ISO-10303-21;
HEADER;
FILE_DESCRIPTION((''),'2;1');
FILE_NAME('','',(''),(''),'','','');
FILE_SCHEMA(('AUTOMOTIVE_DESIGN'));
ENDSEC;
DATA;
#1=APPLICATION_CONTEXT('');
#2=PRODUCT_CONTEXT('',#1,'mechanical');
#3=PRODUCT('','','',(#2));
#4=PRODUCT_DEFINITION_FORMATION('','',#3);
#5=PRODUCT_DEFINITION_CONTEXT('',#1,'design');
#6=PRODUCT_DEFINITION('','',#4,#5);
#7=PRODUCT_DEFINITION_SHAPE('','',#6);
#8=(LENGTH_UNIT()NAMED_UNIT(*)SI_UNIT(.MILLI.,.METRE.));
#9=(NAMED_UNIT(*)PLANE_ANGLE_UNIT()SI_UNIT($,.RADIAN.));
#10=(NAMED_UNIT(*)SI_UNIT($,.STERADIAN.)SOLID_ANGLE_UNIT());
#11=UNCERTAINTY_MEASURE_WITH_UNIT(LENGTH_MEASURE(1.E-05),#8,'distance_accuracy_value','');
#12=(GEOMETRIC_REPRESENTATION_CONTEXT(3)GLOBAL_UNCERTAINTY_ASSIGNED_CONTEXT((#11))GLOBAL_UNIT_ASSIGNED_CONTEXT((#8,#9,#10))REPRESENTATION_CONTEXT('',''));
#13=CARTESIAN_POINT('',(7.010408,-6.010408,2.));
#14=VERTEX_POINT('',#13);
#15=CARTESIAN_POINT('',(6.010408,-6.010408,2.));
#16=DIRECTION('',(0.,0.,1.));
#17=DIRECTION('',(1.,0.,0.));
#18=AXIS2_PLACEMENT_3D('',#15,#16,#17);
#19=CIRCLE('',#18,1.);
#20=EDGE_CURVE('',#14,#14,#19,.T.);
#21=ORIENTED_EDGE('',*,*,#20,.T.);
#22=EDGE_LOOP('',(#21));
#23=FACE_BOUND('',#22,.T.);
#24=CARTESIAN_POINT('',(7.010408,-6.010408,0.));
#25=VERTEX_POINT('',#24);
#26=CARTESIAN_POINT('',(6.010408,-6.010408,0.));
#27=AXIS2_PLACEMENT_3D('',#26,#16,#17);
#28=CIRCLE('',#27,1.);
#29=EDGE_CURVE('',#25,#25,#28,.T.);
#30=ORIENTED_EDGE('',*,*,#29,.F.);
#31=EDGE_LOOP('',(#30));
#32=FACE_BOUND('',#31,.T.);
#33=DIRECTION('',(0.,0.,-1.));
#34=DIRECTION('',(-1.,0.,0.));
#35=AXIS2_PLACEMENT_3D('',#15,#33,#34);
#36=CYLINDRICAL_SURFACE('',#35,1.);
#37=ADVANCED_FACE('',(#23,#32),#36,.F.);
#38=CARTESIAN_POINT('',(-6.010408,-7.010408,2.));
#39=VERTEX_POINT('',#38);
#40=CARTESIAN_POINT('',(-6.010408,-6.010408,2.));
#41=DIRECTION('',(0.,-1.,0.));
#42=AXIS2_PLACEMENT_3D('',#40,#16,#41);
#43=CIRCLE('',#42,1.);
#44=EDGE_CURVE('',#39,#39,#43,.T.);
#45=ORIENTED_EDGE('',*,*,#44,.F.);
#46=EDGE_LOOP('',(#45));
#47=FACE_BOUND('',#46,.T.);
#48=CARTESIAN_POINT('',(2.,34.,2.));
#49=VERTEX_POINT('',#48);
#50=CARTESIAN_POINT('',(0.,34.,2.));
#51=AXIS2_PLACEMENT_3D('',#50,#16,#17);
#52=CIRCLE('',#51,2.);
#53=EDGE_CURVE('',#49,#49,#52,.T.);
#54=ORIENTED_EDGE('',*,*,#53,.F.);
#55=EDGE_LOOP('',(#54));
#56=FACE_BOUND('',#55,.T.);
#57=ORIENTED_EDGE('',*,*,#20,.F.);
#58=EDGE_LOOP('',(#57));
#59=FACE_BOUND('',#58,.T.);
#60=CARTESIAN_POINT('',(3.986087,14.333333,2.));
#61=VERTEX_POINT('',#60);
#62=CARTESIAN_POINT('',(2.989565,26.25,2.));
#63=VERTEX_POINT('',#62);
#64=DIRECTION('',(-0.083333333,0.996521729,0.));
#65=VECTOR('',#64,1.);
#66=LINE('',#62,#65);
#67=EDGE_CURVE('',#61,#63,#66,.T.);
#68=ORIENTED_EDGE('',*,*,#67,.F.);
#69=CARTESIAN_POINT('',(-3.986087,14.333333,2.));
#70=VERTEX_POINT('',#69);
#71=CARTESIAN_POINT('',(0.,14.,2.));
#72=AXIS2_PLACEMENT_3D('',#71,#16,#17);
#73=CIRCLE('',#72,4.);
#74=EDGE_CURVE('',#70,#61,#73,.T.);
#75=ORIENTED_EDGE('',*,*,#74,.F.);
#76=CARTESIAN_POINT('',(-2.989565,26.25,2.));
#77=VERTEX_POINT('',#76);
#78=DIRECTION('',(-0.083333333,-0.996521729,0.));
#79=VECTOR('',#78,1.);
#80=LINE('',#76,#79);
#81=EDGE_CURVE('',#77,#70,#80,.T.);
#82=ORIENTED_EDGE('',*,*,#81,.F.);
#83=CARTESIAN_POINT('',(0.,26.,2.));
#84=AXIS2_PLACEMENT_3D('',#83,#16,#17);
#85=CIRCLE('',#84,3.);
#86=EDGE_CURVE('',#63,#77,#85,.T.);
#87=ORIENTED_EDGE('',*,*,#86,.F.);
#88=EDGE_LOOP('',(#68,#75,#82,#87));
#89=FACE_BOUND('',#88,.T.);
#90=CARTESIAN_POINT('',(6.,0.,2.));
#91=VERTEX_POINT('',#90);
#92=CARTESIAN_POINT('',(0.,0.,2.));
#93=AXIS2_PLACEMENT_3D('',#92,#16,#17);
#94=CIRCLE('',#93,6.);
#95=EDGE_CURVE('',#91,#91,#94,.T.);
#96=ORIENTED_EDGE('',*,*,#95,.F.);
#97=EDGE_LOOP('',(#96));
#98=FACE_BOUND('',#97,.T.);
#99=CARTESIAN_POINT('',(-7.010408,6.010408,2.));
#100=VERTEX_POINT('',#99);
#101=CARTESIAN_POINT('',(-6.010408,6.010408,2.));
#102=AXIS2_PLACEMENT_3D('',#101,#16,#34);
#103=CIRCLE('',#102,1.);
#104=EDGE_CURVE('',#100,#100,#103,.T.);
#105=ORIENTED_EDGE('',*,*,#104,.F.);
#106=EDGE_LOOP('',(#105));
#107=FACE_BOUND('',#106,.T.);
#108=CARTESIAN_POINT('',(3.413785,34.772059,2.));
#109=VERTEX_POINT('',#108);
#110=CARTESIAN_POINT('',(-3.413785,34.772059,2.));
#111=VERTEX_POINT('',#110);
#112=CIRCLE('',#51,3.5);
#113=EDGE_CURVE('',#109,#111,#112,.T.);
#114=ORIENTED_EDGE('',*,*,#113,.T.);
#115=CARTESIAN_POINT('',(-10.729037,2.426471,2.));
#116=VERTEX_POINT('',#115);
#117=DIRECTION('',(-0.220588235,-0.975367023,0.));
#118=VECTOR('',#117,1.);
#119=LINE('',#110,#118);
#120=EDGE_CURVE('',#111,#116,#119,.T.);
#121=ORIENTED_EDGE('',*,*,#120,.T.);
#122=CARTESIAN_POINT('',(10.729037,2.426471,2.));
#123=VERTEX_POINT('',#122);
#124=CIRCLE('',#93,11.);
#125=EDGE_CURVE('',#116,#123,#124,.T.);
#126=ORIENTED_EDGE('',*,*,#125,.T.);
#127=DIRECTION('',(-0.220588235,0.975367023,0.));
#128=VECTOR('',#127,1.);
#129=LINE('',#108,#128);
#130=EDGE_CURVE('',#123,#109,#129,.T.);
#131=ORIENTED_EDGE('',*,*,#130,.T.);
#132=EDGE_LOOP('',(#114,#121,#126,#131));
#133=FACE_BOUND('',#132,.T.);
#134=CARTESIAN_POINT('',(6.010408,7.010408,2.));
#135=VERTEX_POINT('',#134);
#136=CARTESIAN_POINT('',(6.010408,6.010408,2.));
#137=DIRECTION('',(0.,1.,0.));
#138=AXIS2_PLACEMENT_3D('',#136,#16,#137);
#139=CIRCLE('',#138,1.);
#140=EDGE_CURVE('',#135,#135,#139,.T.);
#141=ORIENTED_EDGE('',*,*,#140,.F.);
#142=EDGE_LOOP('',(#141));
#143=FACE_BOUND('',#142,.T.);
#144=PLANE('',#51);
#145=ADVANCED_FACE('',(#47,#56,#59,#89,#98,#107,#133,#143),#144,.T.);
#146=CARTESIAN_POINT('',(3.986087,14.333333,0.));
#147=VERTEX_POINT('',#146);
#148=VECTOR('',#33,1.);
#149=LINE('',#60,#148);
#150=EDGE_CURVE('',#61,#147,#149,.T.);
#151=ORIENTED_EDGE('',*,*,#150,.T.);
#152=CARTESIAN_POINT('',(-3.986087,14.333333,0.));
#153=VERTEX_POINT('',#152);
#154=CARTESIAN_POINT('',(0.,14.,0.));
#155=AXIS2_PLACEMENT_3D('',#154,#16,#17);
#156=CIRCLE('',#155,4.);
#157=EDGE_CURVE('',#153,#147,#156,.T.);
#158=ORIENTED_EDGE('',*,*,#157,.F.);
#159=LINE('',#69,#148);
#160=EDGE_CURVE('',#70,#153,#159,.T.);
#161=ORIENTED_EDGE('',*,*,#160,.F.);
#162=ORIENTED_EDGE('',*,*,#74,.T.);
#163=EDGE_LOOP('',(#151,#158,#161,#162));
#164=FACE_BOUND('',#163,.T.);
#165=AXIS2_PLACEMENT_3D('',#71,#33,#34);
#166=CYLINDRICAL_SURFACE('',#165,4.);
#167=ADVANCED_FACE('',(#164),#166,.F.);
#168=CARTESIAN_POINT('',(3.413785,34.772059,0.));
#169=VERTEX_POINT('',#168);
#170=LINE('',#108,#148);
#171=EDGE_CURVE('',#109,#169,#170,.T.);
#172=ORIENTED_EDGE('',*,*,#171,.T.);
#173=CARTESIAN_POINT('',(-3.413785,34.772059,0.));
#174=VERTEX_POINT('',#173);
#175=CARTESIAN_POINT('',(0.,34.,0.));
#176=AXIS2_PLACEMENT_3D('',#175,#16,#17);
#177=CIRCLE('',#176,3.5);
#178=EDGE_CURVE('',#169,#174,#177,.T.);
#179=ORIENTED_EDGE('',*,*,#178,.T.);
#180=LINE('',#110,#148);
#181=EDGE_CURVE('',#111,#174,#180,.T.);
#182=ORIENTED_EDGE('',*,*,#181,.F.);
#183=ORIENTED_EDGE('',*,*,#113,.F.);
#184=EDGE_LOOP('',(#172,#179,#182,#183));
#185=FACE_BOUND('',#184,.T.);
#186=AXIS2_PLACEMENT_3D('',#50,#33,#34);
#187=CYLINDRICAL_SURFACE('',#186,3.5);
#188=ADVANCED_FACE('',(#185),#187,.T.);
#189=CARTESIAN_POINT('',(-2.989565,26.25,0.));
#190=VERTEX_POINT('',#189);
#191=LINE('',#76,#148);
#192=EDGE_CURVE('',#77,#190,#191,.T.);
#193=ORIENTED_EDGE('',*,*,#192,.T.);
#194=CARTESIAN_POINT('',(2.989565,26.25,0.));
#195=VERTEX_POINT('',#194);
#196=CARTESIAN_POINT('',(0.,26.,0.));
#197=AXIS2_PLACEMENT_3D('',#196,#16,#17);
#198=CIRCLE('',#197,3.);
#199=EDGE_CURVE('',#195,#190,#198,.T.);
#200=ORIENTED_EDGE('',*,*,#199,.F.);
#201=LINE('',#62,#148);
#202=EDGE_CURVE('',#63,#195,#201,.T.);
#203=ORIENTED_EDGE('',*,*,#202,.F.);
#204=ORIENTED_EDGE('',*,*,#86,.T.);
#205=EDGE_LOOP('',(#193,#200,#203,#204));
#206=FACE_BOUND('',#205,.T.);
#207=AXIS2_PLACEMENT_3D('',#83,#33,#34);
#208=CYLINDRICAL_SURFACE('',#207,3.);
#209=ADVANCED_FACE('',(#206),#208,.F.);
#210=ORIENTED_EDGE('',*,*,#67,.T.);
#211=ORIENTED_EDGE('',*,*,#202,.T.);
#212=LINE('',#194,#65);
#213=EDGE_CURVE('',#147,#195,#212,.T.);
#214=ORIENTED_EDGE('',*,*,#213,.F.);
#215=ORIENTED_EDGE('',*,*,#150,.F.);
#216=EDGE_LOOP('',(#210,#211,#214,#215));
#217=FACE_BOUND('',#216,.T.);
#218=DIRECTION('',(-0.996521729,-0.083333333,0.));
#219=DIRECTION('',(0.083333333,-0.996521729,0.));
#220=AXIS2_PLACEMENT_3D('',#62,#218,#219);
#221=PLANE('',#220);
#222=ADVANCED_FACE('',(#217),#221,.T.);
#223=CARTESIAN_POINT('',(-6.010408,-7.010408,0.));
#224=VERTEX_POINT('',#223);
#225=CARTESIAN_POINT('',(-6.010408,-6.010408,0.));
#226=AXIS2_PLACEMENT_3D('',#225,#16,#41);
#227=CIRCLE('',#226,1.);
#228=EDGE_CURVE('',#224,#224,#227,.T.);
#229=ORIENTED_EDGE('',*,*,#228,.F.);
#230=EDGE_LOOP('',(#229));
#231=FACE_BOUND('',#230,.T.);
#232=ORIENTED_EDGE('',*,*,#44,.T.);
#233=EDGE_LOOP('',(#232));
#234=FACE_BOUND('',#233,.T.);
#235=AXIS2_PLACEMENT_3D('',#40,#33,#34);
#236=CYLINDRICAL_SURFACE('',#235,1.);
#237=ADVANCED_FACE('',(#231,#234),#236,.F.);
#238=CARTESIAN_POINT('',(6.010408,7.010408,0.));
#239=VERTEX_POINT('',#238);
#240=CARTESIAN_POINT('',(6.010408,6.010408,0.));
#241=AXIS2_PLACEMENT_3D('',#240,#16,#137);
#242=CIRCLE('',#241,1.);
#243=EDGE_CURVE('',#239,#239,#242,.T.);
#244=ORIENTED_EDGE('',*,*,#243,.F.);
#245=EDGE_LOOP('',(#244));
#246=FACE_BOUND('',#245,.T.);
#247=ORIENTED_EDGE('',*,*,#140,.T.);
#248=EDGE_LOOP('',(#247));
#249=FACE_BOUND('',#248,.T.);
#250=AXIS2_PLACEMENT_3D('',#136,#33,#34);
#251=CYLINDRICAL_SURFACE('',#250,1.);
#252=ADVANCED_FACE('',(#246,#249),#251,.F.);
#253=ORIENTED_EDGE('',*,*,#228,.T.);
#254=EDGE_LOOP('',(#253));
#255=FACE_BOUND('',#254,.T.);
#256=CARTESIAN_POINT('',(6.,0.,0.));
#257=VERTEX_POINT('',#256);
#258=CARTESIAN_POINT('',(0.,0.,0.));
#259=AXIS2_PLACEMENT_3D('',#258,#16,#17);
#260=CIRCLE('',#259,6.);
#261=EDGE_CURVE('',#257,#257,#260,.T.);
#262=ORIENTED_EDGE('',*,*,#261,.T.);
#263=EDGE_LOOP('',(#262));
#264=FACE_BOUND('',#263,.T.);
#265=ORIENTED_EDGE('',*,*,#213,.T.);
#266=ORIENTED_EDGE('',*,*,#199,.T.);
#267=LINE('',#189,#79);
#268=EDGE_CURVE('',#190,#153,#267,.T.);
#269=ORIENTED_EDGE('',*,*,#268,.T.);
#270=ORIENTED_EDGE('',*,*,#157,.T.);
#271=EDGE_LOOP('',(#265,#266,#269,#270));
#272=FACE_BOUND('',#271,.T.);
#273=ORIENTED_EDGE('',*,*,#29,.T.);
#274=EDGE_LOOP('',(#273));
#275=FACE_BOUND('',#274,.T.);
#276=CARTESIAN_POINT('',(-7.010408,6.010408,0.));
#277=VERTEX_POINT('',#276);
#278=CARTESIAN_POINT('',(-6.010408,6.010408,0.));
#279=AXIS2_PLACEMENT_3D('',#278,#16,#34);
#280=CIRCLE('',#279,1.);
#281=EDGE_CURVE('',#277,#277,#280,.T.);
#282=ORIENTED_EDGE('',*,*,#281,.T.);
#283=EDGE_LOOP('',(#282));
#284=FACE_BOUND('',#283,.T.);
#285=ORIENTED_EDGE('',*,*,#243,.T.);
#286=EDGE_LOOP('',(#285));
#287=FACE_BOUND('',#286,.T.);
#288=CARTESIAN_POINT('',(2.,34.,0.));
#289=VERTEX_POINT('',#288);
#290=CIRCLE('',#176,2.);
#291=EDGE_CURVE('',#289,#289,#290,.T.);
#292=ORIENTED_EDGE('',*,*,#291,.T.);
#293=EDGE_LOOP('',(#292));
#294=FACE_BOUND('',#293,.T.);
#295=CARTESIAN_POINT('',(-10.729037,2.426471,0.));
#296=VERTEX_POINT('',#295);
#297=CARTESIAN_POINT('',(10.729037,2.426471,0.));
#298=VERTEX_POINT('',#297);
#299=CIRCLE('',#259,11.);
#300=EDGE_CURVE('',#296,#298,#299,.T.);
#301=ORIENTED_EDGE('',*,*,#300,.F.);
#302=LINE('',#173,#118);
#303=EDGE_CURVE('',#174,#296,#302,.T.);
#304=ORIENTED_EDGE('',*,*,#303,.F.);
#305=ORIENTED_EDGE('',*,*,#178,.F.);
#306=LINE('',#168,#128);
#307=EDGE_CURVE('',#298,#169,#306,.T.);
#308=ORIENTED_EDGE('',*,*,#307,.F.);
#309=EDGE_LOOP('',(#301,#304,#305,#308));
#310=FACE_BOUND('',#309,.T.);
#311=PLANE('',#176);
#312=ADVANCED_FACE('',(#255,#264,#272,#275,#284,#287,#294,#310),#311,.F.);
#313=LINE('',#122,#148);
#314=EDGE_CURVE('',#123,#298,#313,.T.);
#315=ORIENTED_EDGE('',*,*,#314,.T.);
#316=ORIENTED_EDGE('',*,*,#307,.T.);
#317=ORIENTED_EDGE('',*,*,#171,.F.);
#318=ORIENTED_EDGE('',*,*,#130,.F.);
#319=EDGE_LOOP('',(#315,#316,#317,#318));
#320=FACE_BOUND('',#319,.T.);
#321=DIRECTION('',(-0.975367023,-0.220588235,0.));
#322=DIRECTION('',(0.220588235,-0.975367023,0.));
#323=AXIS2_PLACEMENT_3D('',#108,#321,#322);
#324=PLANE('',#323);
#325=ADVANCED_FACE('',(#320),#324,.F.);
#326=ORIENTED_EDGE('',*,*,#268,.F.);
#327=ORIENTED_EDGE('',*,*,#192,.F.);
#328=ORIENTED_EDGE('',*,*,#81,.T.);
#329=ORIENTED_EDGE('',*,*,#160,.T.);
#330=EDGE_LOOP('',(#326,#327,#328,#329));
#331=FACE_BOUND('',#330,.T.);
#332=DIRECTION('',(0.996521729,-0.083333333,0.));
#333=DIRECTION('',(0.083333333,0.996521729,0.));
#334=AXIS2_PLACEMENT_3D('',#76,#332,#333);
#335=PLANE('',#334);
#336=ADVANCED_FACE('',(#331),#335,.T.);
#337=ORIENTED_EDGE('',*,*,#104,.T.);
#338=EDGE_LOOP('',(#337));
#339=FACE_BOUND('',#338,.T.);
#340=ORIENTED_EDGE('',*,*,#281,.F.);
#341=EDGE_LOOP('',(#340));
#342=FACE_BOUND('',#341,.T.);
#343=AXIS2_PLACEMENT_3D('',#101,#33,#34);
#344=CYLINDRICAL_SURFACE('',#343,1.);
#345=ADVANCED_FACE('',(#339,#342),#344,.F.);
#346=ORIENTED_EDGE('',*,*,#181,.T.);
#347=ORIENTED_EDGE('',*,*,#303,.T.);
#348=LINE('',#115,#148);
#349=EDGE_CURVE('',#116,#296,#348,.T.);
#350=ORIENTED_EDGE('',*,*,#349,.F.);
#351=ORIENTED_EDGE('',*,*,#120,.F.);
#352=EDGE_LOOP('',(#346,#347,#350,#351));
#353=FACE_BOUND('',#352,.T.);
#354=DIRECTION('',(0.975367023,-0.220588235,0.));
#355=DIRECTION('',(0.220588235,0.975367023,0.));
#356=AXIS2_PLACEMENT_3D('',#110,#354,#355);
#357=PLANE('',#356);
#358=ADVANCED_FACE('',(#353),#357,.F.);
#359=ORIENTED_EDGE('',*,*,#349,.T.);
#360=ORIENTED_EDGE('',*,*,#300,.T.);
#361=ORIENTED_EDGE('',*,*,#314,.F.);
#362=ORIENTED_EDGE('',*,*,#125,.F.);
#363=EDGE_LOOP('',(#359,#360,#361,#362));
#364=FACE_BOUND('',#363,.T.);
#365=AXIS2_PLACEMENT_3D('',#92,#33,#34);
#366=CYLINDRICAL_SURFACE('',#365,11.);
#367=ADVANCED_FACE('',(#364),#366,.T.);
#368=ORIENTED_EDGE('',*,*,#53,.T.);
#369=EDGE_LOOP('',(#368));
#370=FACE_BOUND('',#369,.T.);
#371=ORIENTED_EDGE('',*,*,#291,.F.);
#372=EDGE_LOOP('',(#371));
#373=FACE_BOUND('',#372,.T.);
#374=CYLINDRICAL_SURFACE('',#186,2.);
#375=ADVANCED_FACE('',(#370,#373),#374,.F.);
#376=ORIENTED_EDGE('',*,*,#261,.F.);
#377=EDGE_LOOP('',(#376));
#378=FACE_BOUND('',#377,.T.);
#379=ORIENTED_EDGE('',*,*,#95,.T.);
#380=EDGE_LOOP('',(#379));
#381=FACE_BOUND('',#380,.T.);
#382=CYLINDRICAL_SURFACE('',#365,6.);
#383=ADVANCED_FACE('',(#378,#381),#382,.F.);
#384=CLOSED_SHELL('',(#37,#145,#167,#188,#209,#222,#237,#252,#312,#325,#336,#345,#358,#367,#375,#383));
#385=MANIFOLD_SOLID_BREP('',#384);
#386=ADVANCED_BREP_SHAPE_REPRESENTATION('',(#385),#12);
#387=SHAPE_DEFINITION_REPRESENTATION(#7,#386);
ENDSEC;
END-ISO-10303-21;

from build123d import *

# Parameters (mm, degrees)
SKETCH_1_R               = 6
SKETCH_1_R_2             = 2
EXTRUDE_1_DEPTH          = 2
SKETCH_2_R               = 1
CUT_EXTRUDE_8_DEPTH      = 40.131189606
PATTERN_CIRCULAR_2_COUNT = 4


with BuildPart() as part:
    # 草图1 → 凸台-拉伸1 (new body)
    with BuildSketch(Plane.XY):
        with BuildLine():
            Line((-3.413784582, 34.772058824), (-10.729037258, 2.426470588))
            ThreePointArc((-10.729037258, 2.426470588), (0, -11), (10.729037258, 2.426470588))
            Line((10.729037258, 2.426470588), (3.413784582, 34.772058824))
            ThreePointArc((3.413784582, 34.772058824), (0, 37.5), (-3.413784582, 34.772058824))
        make_face()
        Circle(SKETCH_1_R, mode=Mode.SUBTRACT)
        with Locations((0, 34)):
            Circle(SKETCH_1_R_2, mode=Mode.SUBTRACT)
        with BuildLine():
            Line((-2.989565186, 26.25), (-3.986086914, 14.333333333))
            ThreePointArc((-3.986086914, 14.333333333), (0, 10), (3.986086914, 14.333333333))
            Line((3.986086914, 14.333333333), (2.989565186, 26.25))
            ThreePointArc((2.989565186, 26.25), (0, 29), (-2.989565186, 26.25))
        make_face(mode=Mode.SUBTRACT)
    extrude(amount=EXTRUDE_1_DEPTH)

    # 草图2 → 切除-拉伸8 (cut, through all)
    with BuildSketch(Plane.XY):
        with Locations((6.01040764, -6.01040764)):
            Circle(SKETCH_2_R)
    cut_extrude_8 = extrude(amount=CUT_EXTRUDE_8_DEPTH, mode=Mode.SUBTRACT)

    # 阵列(圆周)2: 切除-拉伸8 ×4 about axis
    pattern_circular_2_axis = Axis((0, 0, 0), (0, 0, 1))
    for i in range(1, PATTERN_CIRCULAR_2_COUNT):
        add(cut_extrude_8.rotate(pattern_circular_2_axis, i * 360 / PATTERN_CIRCULAR_2_COUNT), mode=Mode.SUBTRACT)


solid = part.part
